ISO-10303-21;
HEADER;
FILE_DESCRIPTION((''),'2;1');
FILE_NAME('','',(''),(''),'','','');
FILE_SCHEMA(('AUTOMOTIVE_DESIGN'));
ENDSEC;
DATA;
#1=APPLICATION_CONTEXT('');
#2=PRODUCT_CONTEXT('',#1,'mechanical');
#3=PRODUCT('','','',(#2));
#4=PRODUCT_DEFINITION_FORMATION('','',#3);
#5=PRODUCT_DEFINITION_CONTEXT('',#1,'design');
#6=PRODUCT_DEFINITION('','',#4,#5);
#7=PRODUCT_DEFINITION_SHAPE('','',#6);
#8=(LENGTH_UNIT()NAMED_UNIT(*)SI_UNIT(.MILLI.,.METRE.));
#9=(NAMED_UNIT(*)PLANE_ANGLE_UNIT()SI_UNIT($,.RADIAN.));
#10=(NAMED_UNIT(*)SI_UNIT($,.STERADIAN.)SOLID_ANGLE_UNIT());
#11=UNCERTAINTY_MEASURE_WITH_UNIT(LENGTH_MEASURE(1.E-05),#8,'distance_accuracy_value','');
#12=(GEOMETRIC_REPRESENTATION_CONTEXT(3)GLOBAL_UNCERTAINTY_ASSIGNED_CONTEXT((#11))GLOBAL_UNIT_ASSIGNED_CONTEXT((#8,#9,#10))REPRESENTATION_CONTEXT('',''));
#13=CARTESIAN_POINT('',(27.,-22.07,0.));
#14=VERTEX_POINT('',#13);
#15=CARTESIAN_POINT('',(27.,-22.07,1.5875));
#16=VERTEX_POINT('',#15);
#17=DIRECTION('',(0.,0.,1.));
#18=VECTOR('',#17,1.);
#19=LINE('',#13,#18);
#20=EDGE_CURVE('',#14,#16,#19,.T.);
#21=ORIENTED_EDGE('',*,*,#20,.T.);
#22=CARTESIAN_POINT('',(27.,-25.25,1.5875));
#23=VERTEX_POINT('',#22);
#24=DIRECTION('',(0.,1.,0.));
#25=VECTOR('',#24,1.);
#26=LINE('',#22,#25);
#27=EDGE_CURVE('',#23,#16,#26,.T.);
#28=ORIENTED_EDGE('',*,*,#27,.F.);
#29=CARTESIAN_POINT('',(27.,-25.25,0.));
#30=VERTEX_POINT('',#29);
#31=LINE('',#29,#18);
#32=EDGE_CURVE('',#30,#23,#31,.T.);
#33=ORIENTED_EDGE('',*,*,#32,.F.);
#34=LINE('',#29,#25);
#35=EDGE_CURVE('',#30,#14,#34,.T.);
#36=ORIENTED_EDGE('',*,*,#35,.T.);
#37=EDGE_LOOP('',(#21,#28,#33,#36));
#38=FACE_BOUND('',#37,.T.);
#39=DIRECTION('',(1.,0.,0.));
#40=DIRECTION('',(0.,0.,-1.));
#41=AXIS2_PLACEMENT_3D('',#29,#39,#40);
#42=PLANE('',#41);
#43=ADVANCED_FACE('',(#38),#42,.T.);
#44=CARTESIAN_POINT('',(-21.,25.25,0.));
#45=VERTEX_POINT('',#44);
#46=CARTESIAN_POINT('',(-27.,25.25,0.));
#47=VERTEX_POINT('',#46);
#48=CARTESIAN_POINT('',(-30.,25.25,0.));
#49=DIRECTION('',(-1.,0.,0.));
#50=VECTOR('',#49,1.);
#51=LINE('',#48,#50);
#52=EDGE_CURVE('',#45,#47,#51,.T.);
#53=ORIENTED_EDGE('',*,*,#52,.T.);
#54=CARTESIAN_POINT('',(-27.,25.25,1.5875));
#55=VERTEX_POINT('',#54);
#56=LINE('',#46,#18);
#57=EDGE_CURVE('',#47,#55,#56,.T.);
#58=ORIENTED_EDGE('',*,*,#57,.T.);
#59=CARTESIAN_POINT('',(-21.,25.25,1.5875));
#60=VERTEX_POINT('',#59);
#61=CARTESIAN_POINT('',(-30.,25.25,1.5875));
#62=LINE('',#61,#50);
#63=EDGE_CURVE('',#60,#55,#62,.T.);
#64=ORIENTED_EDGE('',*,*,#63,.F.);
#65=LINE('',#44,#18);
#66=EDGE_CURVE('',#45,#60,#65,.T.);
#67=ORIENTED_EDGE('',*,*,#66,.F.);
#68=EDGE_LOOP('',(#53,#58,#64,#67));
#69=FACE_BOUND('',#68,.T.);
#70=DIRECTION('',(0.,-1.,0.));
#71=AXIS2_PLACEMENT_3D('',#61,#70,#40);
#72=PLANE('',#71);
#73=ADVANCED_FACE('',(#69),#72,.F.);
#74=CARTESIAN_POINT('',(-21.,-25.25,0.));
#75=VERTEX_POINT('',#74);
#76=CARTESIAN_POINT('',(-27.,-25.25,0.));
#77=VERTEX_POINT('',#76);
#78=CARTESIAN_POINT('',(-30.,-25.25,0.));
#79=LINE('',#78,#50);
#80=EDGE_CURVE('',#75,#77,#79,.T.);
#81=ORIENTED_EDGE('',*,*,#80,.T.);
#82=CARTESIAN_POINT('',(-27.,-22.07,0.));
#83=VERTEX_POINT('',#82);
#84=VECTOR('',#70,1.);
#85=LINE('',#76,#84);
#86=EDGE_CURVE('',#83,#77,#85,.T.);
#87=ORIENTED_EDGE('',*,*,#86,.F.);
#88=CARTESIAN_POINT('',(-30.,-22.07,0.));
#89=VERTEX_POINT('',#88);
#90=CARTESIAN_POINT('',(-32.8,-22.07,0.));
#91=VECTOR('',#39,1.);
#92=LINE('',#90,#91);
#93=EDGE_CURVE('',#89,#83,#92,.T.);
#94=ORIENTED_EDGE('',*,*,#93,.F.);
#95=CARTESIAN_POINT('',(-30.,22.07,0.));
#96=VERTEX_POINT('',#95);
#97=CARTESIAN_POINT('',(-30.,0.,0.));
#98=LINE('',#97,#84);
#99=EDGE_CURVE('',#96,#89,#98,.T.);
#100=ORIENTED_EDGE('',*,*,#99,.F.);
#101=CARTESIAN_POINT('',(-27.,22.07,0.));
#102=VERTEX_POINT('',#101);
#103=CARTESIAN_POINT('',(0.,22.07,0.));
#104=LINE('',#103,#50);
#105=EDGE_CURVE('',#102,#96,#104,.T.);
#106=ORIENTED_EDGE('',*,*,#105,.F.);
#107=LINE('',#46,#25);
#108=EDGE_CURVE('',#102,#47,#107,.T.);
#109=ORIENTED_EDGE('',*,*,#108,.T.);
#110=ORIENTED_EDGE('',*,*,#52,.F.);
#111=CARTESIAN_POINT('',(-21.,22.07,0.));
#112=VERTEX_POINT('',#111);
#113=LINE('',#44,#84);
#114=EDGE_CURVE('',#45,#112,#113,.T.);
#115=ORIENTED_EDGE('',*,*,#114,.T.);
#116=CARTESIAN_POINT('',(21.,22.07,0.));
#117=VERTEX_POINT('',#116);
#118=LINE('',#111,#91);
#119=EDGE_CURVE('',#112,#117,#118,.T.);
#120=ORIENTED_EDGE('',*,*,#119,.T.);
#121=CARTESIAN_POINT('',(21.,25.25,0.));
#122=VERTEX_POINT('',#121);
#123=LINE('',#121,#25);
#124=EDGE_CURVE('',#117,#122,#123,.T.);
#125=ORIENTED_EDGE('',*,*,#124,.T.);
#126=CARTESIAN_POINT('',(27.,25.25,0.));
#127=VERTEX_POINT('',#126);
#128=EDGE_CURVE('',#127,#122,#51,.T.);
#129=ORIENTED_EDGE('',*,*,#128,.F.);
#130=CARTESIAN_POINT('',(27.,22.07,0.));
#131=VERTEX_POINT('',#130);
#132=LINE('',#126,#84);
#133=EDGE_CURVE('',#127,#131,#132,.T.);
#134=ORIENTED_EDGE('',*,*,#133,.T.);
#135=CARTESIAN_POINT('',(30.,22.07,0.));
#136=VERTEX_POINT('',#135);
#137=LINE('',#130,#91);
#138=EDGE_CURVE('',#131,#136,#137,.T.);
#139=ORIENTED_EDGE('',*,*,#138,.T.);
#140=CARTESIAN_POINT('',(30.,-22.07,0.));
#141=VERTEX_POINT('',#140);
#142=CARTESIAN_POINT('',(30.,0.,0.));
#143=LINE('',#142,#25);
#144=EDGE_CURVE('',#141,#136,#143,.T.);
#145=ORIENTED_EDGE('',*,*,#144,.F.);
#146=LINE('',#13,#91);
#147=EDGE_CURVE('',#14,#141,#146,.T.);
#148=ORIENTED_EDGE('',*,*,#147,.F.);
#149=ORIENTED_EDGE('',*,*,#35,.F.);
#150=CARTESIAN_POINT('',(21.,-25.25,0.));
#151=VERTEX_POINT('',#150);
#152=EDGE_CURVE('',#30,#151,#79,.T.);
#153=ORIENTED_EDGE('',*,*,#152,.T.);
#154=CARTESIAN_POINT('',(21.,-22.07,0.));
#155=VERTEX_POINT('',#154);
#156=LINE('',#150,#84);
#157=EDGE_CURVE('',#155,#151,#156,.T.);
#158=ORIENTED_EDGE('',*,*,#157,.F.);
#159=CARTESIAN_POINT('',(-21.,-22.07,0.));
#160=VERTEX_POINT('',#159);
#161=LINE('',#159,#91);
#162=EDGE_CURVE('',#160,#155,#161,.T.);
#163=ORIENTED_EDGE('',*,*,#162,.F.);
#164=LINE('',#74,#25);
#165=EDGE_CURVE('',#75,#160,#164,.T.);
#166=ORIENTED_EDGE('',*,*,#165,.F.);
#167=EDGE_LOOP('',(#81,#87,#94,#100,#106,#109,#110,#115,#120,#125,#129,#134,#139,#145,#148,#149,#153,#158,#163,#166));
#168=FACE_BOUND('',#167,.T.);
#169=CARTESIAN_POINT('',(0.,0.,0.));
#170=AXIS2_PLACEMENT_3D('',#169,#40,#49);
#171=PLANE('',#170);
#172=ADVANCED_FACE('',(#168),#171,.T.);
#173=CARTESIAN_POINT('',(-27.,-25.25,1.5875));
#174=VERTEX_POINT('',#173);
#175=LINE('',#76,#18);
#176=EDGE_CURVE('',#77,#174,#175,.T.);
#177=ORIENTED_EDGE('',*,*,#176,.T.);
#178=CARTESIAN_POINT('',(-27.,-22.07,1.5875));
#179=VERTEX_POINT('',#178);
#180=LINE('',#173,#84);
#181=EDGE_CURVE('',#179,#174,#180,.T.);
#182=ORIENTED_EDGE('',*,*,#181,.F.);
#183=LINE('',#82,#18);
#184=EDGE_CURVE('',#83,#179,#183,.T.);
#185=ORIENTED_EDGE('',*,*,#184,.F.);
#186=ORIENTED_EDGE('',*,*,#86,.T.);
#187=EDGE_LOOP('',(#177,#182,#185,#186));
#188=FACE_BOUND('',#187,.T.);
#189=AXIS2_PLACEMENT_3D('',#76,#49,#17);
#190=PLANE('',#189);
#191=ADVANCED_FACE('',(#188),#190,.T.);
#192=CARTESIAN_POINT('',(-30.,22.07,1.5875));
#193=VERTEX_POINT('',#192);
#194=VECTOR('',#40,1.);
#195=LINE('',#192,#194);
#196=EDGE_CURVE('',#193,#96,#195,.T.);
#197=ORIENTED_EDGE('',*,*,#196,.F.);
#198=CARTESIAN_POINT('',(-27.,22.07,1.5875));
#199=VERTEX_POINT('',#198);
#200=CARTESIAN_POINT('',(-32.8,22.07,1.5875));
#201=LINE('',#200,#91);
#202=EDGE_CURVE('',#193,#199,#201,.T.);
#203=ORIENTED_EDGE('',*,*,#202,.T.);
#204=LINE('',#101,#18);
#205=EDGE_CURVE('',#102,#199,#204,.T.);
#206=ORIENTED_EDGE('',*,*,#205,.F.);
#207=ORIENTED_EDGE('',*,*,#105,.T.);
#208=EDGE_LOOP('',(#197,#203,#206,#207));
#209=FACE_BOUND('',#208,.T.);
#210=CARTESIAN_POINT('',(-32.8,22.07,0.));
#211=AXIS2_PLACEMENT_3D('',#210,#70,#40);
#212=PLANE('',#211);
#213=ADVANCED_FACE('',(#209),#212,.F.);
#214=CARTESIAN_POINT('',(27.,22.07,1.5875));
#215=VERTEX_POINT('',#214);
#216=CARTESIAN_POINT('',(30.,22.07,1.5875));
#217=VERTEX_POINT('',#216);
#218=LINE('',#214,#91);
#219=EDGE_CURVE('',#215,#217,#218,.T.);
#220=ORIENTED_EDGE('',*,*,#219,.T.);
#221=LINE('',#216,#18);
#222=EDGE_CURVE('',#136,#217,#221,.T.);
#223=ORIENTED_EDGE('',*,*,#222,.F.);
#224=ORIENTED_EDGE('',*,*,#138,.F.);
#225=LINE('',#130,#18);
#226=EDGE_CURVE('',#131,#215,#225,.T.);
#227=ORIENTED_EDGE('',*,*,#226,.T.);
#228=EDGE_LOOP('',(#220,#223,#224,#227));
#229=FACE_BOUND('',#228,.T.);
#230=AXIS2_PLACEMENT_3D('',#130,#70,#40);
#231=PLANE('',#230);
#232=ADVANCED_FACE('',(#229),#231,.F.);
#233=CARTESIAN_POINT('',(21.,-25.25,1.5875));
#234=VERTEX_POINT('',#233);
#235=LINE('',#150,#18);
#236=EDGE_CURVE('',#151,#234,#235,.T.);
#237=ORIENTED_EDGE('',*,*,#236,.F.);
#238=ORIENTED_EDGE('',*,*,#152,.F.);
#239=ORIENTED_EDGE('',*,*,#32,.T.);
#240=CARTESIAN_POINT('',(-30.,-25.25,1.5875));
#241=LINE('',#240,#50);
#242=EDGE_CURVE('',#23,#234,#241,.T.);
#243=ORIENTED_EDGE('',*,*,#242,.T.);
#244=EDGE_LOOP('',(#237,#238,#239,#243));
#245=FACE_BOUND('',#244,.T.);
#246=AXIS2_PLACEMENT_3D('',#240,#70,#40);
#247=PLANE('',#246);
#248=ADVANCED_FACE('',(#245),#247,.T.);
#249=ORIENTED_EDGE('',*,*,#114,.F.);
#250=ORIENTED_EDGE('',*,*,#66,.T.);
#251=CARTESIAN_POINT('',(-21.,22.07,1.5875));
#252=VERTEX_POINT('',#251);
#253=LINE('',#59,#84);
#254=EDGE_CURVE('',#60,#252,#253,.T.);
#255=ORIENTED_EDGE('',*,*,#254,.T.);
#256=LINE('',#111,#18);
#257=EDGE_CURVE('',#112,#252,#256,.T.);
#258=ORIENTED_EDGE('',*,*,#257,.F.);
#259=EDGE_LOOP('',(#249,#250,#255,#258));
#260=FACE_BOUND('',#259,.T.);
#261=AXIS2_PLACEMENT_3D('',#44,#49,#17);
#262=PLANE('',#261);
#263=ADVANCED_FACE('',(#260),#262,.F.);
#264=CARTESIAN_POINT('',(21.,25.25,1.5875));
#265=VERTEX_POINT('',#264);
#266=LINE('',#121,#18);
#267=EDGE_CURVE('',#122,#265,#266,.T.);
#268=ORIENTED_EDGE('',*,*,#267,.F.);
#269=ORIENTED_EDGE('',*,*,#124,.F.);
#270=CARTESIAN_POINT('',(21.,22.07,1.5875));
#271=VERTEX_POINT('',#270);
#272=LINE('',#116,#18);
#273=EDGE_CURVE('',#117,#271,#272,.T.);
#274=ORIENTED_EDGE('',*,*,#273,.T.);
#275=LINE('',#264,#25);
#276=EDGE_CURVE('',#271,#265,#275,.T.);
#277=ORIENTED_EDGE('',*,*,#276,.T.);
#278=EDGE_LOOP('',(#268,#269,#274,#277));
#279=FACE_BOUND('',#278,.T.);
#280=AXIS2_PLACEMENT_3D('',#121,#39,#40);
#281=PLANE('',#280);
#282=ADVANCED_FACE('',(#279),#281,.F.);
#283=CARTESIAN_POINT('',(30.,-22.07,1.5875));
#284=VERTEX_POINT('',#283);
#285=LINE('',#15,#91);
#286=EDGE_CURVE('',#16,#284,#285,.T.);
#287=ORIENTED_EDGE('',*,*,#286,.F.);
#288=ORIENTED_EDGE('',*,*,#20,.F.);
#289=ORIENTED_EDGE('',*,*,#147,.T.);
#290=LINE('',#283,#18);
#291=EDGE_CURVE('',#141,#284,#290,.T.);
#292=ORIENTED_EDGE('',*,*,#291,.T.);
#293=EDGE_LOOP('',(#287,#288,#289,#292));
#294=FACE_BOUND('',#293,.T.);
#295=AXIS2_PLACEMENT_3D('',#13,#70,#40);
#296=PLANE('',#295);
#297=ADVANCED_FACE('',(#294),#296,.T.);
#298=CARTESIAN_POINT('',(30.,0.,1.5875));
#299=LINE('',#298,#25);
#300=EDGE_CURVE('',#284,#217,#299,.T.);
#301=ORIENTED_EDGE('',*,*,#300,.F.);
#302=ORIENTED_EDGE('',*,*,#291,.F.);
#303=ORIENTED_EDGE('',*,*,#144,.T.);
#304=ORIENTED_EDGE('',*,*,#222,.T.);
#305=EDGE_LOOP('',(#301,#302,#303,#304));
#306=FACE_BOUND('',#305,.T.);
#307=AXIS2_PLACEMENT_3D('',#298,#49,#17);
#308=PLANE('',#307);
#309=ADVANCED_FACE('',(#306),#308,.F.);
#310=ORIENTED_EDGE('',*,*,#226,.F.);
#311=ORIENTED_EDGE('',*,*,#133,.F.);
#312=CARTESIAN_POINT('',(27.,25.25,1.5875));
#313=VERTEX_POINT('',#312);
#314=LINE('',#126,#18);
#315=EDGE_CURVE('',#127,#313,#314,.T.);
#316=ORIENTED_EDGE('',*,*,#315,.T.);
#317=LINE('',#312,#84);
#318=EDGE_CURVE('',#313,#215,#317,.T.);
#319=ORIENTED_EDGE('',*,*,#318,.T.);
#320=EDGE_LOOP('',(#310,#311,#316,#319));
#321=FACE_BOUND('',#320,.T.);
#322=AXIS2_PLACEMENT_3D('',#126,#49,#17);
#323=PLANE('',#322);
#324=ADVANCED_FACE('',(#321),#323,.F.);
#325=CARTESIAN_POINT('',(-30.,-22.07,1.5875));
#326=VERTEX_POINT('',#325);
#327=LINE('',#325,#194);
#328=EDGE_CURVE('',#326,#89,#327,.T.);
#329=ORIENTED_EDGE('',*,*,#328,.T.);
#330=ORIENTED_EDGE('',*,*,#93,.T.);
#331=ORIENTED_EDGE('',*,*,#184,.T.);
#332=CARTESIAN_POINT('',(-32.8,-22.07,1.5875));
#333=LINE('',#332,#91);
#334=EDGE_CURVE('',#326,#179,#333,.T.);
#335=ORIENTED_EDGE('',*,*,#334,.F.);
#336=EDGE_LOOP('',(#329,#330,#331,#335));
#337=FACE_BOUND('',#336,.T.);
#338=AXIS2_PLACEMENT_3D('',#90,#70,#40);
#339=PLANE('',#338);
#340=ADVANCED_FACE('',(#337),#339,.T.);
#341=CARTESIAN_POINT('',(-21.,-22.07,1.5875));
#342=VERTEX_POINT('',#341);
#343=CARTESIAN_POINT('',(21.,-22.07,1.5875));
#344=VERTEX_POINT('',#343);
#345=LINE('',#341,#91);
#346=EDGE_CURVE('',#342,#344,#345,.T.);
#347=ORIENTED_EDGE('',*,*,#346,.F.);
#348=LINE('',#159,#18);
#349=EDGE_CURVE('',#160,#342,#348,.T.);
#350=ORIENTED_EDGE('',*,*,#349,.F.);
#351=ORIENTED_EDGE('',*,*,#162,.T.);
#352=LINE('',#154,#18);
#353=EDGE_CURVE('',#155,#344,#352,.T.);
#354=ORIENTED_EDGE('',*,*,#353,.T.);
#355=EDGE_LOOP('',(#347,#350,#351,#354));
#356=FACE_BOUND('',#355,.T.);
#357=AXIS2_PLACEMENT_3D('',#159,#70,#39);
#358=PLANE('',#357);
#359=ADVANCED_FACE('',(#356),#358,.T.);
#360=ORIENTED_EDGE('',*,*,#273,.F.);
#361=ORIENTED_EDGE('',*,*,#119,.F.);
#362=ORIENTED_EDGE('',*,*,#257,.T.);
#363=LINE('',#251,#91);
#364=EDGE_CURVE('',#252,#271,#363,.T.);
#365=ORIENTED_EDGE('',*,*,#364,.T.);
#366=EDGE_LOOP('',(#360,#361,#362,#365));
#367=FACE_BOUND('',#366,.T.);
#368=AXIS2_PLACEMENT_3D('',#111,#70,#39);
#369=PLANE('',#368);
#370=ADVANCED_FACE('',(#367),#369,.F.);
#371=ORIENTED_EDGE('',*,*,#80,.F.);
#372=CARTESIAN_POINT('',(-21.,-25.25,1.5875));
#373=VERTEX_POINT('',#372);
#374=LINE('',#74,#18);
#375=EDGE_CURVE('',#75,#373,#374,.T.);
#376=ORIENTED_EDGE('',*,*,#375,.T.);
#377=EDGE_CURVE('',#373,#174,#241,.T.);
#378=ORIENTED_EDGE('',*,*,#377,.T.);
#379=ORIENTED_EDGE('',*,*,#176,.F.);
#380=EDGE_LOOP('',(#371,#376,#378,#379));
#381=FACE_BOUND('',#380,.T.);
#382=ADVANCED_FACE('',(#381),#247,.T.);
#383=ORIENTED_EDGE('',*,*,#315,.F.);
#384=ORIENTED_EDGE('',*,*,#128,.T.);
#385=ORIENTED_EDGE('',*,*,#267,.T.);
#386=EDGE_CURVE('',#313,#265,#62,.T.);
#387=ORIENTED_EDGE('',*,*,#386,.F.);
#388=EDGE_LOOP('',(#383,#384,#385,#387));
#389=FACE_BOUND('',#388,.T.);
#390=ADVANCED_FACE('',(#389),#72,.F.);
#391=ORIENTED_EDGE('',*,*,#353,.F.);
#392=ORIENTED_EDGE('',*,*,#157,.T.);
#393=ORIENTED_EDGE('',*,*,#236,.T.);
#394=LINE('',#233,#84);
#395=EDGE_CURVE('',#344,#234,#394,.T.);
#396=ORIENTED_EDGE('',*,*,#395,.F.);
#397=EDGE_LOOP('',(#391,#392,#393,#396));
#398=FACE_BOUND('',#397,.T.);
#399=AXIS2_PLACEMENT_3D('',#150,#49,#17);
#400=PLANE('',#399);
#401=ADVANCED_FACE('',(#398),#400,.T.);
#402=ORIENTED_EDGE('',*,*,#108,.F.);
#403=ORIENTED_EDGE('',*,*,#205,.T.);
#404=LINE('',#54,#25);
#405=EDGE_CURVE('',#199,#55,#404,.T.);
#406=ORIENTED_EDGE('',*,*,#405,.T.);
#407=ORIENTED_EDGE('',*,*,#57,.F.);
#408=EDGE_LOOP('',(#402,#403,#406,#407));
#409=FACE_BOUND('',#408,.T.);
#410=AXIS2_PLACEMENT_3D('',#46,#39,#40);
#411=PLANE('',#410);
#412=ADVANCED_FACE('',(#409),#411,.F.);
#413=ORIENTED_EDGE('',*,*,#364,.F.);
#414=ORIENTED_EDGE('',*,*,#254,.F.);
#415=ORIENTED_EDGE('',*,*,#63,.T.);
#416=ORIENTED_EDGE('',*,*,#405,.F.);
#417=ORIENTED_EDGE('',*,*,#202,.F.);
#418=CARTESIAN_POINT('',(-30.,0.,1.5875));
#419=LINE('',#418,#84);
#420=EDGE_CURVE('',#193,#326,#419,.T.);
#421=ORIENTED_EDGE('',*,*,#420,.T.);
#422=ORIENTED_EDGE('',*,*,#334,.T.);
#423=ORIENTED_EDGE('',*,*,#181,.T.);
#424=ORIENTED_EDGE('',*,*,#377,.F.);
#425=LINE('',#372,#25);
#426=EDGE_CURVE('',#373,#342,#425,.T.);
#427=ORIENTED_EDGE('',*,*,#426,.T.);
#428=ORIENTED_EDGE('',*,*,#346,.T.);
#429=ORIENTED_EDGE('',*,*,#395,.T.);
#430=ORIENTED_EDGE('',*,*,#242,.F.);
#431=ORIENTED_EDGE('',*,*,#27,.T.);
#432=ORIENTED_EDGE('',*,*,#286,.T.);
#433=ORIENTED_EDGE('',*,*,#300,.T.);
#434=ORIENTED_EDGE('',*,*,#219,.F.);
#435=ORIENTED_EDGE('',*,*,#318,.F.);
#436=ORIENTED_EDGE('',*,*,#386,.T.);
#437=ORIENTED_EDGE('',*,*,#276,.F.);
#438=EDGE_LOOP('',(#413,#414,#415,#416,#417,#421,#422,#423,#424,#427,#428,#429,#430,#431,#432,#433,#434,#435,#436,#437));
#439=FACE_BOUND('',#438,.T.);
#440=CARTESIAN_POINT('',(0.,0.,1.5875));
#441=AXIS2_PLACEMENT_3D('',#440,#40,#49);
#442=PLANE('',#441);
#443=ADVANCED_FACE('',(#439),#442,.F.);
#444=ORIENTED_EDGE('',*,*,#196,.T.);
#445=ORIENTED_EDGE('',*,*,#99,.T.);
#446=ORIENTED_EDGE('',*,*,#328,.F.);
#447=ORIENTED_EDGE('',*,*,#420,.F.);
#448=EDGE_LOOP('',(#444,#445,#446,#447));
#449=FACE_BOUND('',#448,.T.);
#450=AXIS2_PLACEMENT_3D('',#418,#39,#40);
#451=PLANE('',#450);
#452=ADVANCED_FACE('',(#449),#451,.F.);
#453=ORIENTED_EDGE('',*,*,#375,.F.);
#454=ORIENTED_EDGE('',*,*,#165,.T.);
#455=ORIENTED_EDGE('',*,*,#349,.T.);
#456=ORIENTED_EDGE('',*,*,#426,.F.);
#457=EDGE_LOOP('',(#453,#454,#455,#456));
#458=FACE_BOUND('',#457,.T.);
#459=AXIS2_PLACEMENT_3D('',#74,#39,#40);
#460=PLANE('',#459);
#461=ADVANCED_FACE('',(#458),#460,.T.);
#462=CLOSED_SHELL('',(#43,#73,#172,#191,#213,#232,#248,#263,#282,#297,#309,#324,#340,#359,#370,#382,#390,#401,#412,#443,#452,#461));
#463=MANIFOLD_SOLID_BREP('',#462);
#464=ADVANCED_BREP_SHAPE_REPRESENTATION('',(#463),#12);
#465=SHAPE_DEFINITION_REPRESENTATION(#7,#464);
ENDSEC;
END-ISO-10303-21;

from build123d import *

# Parameters (mm, degrees)
SKETCH1_W           = 60
SKETCH1_H           = 25.25
BOSS_EXTRUDE1_DEPTH = 1.5875
SKETCH2_W           = 42
SKETCH2_H           = 3.18
SKETCH2_W_2         = 5.7
SKETCH2_W_3         = 5.8
CUT_EXTRUDE1_DEPTH  = 1.5875


with BuildPart() as part:
    # Sketch1 → Boss-Extrude1 (new body)
    with BuildSketch(Plane.XY):
        with Locations((0, 12.625)):
            Rectangle(SKETCH1_W, SKETCH1_H)
    boss_extrude1 = extrude(amount=BOSS_EXTRUDE1_DEPTH)

    # Sketch2 → Cut-Extrude1 (cut)
    with BuildSketch(Plane.XY.offset(1.5875)):
        with Locations((0, 23.66)):
            Rectangle(SKETCH2_W, SKETCH2_H)
        with Locations((29.85, 23.66)):
            Rectangle(SKETCH2_W_2, SKETCH2_H)
        with Locations((-29.9, 23.66)):
            Rectangle(SKETCH2_W_3, SKETCH2_H)
    cut_extrude1 = extrude(amount=-CUT_EXTRUDE1_DEPTH, mode=Mode.SUBTRACT)

    # Mirror1: Boss-Extrude1, Cut-Extrude1 across plane
    add(boss_extrude1.mirror(Plane.ZX))
    add(cut_extrude1.mirror(Plane.ZX), mode=Mode.SUBTRACT)


solid = part.part
